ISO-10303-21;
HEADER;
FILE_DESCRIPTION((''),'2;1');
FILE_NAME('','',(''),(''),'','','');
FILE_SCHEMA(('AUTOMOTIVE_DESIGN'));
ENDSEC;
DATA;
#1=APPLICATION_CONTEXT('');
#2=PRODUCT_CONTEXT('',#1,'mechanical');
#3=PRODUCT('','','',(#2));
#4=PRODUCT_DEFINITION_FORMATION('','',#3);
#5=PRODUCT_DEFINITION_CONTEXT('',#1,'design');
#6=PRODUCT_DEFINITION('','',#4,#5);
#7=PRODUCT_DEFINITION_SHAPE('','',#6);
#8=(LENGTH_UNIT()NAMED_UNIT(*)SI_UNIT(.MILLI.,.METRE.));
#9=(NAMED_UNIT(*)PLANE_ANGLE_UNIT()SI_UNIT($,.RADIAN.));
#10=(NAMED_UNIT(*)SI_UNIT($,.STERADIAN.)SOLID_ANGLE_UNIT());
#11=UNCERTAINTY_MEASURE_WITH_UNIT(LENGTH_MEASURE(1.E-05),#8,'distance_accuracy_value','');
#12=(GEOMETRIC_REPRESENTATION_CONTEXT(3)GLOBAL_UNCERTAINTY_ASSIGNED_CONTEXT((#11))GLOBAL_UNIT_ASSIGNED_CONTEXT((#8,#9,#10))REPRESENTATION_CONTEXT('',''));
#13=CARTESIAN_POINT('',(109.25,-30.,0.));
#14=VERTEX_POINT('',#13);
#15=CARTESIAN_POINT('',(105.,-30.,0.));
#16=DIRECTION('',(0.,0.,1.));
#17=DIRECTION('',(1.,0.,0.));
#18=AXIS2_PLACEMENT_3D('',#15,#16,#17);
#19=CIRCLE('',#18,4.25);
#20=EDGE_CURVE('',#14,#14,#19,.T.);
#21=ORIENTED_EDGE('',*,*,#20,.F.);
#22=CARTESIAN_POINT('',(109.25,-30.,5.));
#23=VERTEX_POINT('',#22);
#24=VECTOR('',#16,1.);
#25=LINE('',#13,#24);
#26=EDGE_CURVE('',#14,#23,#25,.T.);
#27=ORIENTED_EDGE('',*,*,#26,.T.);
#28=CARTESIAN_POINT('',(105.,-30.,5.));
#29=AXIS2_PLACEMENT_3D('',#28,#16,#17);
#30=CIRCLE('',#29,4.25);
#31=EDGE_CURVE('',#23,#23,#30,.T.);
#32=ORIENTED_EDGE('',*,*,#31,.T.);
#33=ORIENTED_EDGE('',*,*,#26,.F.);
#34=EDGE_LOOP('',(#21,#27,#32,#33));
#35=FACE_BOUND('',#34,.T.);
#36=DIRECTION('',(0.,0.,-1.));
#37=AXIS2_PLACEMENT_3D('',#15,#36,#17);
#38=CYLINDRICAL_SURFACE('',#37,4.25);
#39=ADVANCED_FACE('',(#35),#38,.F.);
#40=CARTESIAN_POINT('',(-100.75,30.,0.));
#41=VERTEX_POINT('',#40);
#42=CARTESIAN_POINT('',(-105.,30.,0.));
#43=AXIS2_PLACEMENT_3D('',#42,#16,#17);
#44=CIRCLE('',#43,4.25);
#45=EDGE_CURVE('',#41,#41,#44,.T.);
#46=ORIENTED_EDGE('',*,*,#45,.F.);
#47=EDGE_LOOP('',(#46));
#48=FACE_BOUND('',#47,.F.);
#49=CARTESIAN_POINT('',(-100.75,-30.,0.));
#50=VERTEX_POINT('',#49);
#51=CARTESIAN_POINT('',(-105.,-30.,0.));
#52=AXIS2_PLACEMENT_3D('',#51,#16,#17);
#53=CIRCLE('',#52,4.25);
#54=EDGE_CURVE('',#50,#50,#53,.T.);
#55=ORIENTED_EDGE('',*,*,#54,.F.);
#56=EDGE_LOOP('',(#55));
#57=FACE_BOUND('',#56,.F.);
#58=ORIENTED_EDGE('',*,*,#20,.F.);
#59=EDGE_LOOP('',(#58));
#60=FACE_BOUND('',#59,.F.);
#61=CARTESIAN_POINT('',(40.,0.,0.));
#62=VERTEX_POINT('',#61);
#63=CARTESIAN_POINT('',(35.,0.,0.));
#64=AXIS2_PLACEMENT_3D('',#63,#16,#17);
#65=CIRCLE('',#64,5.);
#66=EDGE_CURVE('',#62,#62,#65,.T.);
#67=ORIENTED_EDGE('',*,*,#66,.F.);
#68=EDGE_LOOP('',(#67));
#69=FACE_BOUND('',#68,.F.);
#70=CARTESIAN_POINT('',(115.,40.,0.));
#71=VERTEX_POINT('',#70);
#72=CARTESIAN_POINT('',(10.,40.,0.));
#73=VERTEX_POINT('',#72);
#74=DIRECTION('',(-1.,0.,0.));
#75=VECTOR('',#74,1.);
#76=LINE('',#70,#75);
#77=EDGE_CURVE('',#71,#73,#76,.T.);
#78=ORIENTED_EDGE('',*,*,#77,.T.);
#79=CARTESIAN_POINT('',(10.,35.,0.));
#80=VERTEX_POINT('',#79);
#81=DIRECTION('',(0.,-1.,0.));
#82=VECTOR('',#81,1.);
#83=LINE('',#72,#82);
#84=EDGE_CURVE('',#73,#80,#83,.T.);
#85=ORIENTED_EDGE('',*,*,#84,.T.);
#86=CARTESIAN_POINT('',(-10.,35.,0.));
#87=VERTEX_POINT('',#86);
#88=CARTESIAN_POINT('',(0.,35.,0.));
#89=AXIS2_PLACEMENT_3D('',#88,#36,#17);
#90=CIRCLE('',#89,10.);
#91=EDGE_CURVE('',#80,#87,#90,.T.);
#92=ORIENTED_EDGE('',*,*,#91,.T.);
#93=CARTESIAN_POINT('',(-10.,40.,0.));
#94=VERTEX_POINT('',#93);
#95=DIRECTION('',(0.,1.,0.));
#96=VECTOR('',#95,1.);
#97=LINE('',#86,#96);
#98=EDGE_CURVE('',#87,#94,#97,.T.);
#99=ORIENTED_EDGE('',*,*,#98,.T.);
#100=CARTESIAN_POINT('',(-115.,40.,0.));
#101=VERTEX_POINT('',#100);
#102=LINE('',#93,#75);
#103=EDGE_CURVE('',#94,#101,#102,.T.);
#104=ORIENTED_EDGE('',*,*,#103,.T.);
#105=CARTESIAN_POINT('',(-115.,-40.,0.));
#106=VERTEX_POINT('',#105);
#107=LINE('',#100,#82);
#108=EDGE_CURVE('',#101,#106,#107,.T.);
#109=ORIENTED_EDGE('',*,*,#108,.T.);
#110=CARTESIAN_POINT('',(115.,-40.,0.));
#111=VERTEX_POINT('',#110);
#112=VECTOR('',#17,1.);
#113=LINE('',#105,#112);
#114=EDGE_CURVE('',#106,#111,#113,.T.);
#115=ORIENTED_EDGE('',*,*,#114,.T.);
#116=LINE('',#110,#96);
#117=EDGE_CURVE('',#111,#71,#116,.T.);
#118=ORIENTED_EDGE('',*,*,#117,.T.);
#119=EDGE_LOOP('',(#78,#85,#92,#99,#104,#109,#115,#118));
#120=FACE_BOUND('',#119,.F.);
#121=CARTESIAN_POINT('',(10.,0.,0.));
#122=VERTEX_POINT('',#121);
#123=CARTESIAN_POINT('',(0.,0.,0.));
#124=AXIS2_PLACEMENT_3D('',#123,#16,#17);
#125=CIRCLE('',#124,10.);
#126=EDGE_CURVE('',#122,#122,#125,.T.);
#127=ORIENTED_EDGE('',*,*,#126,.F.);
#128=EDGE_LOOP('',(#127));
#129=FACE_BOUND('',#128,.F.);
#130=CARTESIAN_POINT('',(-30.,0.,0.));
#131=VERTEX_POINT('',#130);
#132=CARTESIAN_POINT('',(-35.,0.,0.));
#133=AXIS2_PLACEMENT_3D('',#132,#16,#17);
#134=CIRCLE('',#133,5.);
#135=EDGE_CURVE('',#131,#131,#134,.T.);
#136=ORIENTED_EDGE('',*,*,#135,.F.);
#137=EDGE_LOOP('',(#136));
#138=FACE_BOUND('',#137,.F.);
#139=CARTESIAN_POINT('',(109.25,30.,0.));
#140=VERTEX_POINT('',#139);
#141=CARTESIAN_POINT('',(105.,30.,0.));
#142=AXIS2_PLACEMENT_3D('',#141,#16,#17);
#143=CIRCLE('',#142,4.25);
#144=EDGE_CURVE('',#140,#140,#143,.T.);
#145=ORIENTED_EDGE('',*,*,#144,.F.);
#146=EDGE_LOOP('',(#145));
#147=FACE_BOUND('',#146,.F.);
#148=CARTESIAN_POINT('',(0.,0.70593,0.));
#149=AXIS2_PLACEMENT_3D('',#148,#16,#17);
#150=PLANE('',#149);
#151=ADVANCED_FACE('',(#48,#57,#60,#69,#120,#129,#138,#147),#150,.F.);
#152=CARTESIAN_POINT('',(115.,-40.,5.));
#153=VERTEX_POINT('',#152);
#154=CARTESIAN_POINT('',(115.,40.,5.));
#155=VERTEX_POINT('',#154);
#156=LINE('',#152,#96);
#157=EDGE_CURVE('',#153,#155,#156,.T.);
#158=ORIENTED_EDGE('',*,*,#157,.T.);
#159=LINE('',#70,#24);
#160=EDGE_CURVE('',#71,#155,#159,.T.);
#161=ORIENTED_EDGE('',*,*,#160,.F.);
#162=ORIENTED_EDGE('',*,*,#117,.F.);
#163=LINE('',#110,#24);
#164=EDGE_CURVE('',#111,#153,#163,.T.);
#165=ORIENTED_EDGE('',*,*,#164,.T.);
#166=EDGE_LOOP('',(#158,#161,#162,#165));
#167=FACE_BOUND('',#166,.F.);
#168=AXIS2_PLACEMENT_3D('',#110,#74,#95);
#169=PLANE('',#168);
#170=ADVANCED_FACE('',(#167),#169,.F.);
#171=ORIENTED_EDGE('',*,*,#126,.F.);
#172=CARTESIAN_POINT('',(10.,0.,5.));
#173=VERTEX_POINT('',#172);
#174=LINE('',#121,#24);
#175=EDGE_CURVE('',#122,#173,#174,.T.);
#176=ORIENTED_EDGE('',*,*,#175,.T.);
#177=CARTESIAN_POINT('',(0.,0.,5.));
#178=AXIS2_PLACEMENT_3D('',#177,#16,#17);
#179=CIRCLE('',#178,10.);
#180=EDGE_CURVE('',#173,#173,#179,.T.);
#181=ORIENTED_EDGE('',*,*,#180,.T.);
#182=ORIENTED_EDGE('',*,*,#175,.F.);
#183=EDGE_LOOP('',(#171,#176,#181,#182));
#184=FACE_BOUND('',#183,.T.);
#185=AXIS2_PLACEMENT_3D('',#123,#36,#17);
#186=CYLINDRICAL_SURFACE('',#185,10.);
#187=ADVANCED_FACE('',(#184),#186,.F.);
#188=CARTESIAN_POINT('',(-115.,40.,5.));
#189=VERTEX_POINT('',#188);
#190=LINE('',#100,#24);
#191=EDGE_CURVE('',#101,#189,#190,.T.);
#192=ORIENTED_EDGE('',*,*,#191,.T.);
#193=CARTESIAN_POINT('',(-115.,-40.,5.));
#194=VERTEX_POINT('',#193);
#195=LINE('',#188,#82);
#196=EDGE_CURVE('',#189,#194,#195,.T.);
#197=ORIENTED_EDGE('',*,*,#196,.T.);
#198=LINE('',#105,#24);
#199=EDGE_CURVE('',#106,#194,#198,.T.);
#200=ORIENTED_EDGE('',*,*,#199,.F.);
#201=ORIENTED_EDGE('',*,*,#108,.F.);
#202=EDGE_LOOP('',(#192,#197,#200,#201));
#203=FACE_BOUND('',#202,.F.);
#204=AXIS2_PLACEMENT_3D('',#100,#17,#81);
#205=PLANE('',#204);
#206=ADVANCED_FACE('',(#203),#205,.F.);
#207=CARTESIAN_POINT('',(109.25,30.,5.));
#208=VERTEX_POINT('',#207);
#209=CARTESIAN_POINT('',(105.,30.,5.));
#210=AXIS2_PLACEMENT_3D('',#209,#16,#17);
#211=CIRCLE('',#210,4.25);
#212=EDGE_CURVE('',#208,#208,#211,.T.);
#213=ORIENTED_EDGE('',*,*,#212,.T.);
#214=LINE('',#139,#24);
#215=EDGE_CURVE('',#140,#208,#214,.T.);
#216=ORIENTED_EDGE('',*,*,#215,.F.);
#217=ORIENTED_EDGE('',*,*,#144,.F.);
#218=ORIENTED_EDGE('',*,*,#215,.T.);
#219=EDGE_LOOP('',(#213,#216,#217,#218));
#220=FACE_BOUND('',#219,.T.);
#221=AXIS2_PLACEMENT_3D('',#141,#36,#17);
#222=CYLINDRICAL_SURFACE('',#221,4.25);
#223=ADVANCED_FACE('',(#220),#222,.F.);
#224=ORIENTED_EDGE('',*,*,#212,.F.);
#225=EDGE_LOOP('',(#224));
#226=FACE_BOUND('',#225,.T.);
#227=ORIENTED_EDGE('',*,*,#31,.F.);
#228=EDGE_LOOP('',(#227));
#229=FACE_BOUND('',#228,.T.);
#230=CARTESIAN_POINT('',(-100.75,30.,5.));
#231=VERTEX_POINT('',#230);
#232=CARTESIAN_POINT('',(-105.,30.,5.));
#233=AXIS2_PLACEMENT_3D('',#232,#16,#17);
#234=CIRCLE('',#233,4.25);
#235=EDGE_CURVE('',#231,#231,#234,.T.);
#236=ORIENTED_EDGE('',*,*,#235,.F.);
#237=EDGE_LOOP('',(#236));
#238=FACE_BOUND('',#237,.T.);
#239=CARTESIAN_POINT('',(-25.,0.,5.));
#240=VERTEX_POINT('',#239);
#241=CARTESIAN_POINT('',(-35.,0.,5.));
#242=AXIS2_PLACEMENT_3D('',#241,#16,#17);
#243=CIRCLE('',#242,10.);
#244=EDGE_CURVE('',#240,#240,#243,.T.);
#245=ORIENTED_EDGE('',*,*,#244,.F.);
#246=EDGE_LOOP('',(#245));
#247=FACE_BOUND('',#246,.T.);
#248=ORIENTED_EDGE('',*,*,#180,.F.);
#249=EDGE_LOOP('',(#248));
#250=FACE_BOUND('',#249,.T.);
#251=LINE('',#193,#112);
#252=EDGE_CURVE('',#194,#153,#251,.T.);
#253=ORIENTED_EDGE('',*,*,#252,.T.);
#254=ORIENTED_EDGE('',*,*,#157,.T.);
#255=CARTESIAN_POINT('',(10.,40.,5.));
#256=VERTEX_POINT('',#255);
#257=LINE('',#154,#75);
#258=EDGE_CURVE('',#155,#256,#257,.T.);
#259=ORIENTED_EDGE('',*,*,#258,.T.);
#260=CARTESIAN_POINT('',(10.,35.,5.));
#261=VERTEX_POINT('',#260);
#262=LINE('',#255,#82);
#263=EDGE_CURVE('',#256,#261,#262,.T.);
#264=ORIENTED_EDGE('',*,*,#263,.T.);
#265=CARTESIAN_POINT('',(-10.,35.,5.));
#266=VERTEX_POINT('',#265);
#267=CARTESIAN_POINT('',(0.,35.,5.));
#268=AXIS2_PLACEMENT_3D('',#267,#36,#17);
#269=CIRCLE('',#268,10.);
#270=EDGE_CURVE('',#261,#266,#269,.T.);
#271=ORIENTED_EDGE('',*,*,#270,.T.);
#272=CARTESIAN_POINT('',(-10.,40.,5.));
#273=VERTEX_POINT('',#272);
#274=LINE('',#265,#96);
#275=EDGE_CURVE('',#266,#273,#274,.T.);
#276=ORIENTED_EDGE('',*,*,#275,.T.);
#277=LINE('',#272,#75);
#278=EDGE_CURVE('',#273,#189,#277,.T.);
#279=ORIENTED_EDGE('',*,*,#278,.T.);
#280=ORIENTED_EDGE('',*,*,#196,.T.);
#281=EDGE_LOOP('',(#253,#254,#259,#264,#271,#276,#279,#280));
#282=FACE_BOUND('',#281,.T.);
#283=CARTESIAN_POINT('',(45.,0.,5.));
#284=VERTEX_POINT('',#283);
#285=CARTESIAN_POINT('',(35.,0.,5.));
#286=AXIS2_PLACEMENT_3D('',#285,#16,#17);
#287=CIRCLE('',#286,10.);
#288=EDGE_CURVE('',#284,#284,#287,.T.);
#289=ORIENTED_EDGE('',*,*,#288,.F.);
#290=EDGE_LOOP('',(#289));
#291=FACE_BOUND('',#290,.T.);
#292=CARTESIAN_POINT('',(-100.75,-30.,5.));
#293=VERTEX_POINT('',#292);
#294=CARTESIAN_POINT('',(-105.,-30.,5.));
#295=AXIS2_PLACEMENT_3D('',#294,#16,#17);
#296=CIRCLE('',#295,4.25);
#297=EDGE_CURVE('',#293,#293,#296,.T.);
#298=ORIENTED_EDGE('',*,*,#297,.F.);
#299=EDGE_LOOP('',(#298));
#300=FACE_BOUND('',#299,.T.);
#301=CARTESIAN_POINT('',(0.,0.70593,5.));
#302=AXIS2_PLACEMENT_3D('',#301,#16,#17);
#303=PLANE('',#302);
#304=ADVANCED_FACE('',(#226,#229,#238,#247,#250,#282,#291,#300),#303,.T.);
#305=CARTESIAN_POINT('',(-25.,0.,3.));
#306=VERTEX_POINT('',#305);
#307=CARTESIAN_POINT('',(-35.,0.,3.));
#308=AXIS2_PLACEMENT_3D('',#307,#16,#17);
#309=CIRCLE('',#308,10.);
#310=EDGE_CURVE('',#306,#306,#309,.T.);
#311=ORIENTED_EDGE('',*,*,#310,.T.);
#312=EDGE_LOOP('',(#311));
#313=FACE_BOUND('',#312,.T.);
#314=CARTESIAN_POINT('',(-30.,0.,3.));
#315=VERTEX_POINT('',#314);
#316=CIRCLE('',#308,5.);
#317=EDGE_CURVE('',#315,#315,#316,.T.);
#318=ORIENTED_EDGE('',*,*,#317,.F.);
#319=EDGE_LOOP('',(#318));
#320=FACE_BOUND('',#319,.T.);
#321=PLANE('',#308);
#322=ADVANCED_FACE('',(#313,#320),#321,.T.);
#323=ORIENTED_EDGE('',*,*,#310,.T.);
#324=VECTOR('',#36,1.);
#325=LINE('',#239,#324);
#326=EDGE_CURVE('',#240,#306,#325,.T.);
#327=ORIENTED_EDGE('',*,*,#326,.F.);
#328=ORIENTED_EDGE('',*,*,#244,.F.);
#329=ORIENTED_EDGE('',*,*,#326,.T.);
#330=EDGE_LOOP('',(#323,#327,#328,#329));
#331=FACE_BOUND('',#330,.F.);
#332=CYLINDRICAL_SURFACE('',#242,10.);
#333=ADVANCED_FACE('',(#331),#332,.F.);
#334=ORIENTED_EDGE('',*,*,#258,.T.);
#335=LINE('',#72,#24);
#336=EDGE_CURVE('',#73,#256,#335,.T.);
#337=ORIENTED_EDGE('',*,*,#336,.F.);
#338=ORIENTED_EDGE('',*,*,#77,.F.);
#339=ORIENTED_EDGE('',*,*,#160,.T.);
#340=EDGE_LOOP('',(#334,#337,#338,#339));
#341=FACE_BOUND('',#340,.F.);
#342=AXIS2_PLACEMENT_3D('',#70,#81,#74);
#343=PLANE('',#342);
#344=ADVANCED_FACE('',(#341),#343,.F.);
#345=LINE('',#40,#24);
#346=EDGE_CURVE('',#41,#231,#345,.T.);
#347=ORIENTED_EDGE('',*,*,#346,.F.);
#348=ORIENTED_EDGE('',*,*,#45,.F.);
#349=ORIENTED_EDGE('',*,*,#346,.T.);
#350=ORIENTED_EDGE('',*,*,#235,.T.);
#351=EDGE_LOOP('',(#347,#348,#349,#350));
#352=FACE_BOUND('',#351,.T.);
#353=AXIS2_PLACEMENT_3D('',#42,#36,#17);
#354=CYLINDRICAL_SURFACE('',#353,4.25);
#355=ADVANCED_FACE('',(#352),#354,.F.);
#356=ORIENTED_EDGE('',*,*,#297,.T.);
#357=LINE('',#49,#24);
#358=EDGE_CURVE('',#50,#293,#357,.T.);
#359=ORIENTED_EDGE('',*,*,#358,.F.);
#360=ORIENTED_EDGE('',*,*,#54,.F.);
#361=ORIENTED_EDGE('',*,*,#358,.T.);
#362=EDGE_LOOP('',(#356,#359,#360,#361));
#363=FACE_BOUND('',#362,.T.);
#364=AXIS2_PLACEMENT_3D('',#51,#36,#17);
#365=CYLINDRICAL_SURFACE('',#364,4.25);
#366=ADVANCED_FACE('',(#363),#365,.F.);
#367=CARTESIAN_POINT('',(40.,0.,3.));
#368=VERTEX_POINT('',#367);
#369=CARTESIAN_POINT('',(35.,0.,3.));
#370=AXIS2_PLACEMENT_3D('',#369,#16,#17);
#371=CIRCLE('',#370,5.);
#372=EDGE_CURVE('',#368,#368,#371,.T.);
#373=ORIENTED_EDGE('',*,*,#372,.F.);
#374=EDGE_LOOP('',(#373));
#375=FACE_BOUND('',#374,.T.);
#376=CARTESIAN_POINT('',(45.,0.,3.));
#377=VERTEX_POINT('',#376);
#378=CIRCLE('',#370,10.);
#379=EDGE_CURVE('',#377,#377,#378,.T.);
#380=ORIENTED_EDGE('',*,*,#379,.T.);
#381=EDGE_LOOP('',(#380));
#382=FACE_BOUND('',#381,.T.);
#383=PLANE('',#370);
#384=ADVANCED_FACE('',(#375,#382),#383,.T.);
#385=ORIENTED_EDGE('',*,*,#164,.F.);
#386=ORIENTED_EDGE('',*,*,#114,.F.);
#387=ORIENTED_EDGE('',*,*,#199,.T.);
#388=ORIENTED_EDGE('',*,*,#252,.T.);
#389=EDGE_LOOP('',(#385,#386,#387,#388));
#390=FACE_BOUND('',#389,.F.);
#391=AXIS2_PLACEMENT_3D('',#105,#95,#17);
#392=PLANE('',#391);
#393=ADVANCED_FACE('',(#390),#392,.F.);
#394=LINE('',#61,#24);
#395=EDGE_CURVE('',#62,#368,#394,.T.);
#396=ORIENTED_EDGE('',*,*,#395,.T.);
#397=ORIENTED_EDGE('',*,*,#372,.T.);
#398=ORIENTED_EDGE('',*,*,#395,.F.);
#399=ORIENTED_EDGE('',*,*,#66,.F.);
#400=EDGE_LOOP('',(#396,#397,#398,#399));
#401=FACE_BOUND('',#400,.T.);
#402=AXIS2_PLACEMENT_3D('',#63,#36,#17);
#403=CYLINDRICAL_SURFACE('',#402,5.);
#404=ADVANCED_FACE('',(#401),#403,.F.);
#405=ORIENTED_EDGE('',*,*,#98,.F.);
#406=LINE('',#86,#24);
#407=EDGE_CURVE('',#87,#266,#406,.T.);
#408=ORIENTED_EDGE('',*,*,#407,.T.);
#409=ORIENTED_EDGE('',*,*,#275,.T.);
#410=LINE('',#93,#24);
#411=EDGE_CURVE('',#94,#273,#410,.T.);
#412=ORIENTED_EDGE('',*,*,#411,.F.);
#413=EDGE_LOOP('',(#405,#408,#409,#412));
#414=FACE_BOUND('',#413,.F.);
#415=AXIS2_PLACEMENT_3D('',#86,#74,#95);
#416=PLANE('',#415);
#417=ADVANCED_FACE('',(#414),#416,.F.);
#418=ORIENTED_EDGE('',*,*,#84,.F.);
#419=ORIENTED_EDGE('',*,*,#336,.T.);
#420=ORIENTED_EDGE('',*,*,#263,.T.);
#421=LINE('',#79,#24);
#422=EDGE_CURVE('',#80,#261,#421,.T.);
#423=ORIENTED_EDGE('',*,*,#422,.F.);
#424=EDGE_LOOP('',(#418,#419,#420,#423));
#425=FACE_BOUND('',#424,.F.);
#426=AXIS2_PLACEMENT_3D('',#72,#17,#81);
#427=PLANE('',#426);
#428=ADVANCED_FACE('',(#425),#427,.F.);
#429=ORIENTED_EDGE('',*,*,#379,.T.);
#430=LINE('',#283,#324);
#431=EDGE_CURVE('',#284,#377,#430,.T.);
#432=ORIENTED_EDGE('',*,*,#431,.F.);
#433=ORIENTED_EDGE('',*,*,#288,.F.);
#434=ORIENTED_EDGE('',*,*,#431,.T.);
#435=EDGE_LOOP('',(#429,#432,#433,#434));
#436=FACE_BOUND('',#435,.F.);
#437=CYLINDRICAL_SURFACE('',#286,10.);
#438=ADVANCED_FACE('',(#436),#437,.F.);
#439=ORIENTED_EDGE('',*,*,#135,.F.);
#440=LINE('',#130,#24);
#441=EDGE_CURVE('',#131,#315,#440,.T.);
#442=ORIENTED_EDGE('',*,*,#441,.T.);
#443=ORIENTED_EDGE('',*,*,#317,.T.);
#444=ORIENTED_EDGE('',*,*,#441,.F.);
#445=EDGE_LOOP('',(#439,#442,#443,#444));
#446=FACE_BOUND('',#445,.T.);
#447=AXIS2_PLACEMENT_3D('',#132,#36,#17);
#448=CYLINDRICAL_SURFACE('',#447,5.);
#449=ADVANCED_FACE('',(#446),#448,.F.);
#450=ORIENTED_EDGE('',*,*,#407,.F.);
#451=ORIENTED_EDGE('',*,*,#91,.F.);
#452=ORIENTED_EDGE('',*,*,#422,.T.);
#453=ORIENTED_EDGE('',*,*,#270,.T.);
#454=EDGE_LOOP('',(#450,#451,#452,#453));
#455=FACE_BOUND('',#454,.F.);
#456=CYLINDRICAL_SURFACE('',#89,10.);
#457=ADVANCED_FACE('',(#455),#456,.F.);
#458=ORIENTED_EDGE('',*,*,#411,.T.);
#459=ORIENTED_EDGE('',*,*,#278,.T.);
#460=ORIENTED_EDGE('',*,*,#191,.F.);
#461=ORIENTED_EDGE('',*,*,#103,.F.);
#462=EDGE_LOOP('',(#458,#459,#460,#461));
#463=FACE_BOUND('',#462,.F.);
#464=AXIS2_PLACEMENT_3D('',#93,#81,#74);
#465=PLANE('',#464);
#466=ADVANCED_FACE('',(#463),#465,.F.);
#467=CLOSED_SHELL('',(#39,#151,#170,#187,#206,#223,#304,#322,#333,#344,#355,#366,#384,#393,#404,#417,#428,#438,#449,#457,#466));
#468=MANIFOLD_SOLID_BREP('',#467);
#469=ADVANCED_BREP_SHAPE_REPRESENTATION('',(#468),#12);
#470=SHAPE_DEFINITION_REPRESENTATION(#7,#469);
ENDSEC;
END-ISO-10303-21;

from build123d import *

# Parameters (mm, degrees)
F0_R     = 4.25
F0_R_2   = 5
F0_R_3   = 10
F1_DEPTH = 5
F2_R     = 5
F2_R_2   = 10
F3_DEPTH = 2


with BuildPart() as f1:
    # F0 (on Top) → F1 (new body)
    with BuildSketch(Plane.XY):
        with BuildLine():
            Line((-10, 40), (-115, 40))
            Line((-115, 40), (-115, -40))
            Line((-115, -40), (115, -40))
            Line((115, -40), (115, 40))
            Line((115, 40), (10, 40))
            Line((10, 40), (10, 35))
            ThreePointArc((10, 35), (0, 25), (-10, 35))
            Line((-10, 35), (-10, 40))
        make_face()
        with Locations((-105, -30)):
            Circle(F0_R, mode=Mode.SUBTRACT)
        with Locations((105, -30)):
            Circle(F0_R, mode=Mode.SUBTRACT)
        with Locations((-35, 0)):
            Circle(F0_R_2, mode=Mode.SUBTRACT)
        with Locations((-105, 30)):
            Circle(F0_R, mode=Mode.SUBTRACT)
        Circle(F0_R_3, mode=Mode.SUBTRACT)
        with Locations((35, 0)):
            Circle(F0_R_2, mode=Mode.SUBTRACT)
        with Locations((105, 30)):
            Circle(F0_R, mode=Mode.SUBTRACT)
    extrude(amount=F1_DEPTH)

    # F2 (on face) → F3 (cut)
    with BuildSketch(Plane.XY.offset(5)):
        with Locations((-35, 0)):
            Circle(F2_R)
        with Locations((35, 0)):
            Circle(F2_R)
        with Locations((35, 0)):
            Circle(F2_R_2)
        with Locations((35, 0)):
            Circle(F2_R, mode=Mode.SUBTRACT)
        with Locations((-35, 0)):
            Circle(F2_R_2)
        with Locations((-35, 0)):
            Circle(F2_R, mode=Mode.SUBTRACT)
    extrude(amount=-F3_DEPTH, mode=Mode.SUBTRACT)


solid = f1.part
